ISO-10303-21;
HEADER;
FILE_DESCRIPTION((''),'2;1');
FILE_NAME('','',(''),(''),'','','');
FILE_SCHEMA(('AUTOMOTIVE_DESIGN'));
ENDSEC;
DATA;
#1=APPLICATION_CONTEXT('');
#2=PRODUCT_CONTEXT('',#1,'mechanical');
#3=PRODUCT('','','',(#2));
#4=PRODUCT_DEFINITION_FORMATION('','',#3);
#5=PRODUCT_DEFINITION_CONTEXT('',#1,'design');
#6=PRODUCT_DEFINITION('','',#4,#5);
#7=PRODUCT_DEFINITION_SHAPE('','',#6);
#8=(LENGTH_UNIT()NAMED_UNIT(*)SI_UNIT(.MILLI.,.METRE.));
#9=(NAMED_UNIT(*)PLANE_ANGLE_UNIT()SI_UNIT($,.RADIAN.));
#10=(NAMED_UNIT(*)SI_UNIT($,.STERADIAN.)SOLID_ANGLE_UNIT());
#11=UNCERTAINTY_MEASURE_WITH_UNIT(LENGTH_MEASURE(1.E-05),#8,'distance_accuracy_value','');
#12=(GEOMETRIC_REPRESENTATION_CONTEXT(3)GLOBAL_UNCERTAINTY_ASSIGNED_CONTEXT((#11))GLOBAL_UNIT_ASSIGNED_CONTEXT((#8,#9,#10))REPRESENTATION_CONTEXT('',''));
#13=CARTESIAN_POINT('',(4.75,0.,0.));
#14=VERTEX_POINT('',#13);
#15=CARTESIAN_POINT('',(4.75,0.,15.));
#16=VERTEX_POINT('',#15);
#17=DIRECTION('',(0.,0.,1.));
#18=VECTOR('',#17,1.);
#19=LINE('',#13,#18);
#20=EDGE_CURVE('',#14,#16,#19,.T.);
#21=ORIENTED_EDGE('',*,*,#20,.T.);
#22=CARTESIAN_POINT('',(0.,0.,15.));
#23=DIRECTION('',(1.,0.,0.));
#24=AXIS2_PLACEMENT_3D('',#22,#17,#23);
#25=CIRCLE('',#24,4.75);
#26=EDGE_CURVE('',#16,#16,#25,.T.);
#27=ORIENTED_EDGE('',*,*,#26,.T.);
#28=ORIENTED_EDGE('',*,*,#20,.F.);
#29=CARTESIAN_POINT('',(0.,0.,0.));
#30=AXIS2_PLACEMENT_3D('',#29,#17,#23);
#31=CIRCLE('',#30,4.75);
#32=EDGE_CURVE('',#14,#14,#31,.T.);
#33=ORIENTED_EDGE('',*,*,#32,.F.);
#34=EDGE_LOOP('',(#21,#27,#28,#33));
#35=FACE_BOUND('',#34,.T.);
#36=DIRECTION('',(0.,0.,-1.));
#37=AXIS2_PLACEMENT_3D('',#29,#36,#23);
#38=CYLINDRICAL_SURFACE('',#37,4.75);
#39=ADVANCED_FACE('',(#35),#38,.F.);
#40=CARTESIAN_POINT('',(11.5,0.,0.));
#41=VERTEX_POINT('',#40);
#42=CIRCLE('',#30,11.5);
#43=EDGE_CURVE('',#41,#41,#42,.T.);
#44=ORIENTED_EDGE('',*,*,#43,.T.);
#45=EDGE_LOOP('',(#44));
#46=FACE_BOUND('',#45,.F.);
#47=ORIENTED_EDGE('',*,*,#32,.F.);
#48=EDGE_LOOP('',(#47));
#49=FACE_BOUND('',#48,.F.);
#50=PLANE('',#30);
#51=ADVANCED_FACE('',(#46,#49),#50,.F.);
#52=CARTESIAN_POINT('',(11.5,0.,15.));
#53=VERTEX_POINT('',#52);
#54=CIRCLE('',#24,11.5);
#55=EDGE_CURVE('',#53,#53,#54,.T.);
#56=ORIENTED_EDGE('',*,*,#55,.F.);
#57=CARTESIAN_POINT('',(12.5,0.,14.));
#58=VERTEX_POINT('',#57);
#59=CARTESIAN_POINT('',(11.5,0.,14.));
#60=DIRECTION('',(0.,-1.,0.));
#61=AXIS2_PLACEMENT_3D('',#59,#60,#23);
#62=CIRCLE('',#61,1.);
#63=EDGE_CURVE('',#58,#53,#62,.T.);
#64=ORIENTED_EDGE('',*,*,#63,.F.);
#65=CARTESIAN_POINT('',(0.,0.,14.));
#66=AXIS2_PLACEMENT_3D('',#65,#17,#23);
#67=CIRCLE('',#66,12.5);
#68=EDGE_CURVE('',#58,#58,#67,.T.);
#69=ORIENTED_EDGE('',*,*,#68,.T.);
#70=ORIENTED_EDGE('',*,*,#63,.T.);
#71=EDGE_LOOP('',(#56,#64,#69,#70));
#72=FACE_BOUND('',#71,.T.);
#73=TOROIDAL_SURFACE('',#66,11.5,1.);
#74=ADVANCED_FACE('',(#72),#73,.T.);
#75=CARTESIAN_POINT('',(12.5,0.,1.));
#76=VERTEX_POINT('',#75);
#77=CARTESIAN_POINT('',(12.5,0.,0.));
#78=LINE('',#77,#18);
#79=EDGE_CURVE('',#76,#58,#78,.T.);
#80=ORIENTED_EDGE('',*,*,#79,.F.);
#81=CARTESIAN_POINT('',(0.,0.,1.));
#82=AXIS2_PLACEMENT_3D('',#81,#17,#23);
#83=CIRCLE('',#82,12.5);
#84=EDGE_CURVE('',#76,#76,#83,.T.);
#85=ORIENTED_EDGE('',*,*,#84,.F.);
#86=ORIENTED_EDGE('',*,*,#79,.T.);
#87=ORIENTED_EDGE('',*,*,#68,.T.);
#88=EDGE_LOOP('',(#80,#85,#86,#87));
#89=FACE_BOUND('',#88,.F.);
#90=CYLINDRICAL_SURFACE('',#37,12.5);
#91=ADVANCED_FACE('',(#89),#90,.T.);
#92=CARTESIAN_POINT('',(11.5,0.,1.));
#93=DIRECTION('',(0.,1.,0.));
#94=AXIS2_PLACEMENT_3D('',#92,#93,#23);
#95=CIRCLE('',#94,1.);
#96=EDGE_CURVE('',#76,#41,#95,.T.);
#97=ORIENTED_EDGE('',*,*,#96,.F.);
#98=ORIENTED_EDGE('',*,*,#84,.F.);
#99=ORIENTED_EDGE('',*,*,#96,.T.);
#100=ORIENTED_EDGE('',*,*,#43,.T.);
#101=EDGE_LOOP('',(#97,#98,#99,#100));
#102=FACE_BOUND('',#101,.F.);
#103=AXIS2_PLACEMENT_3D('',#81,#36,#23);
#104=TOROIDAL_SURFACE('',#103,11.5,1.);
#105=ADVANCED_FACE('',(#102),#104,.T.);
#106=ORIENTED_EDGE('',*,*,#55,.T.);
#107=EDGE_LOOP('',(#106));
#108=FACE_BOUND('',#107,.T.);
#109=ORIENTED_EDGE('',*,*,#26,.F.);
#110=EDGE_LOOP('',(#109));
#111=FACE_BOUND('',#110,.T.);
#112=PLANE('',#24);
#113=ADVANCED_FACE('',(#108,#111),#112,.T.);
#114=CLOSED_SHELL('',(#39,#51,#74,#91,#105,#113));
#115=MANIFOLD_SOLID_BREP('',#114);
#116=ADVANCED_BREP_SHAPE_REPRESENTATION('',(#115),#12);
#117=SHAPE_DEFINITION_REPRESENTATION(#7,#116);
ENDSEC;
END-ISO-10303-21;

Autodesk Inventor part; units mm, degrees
ref_plane "YZ Plane" through (0, 0, 0) normal (1, 0, 0) x (0, 1, 0)
ref_plane "XZ Plane" through (0, 0, 0) normal (0, 1, 0) x (-1, 0, 0)
ref_plane "XY Plane" through (0, 0, 0) normal (0, 0, 1) x (1, 0, 0)
sketch "Эскиз1" plane through (0, 0, 0) normal (0, 0, 1) x (1, 0, 0)
  circle A0 centre (0, 0) radius 12.5
  circle A1 centre (0, 0) radius 4.75
  dimension "d0" = 25
  dimension "d1" = 9.5
extrude "Выдавливание1" add sketch "Эскиз1" along normal blind 15
fillet "Сопряжение1" radius 1 2 edges at (-12.5, 0, 15) (-12.5, 0, 0)
properties part number "paris_bushing"
